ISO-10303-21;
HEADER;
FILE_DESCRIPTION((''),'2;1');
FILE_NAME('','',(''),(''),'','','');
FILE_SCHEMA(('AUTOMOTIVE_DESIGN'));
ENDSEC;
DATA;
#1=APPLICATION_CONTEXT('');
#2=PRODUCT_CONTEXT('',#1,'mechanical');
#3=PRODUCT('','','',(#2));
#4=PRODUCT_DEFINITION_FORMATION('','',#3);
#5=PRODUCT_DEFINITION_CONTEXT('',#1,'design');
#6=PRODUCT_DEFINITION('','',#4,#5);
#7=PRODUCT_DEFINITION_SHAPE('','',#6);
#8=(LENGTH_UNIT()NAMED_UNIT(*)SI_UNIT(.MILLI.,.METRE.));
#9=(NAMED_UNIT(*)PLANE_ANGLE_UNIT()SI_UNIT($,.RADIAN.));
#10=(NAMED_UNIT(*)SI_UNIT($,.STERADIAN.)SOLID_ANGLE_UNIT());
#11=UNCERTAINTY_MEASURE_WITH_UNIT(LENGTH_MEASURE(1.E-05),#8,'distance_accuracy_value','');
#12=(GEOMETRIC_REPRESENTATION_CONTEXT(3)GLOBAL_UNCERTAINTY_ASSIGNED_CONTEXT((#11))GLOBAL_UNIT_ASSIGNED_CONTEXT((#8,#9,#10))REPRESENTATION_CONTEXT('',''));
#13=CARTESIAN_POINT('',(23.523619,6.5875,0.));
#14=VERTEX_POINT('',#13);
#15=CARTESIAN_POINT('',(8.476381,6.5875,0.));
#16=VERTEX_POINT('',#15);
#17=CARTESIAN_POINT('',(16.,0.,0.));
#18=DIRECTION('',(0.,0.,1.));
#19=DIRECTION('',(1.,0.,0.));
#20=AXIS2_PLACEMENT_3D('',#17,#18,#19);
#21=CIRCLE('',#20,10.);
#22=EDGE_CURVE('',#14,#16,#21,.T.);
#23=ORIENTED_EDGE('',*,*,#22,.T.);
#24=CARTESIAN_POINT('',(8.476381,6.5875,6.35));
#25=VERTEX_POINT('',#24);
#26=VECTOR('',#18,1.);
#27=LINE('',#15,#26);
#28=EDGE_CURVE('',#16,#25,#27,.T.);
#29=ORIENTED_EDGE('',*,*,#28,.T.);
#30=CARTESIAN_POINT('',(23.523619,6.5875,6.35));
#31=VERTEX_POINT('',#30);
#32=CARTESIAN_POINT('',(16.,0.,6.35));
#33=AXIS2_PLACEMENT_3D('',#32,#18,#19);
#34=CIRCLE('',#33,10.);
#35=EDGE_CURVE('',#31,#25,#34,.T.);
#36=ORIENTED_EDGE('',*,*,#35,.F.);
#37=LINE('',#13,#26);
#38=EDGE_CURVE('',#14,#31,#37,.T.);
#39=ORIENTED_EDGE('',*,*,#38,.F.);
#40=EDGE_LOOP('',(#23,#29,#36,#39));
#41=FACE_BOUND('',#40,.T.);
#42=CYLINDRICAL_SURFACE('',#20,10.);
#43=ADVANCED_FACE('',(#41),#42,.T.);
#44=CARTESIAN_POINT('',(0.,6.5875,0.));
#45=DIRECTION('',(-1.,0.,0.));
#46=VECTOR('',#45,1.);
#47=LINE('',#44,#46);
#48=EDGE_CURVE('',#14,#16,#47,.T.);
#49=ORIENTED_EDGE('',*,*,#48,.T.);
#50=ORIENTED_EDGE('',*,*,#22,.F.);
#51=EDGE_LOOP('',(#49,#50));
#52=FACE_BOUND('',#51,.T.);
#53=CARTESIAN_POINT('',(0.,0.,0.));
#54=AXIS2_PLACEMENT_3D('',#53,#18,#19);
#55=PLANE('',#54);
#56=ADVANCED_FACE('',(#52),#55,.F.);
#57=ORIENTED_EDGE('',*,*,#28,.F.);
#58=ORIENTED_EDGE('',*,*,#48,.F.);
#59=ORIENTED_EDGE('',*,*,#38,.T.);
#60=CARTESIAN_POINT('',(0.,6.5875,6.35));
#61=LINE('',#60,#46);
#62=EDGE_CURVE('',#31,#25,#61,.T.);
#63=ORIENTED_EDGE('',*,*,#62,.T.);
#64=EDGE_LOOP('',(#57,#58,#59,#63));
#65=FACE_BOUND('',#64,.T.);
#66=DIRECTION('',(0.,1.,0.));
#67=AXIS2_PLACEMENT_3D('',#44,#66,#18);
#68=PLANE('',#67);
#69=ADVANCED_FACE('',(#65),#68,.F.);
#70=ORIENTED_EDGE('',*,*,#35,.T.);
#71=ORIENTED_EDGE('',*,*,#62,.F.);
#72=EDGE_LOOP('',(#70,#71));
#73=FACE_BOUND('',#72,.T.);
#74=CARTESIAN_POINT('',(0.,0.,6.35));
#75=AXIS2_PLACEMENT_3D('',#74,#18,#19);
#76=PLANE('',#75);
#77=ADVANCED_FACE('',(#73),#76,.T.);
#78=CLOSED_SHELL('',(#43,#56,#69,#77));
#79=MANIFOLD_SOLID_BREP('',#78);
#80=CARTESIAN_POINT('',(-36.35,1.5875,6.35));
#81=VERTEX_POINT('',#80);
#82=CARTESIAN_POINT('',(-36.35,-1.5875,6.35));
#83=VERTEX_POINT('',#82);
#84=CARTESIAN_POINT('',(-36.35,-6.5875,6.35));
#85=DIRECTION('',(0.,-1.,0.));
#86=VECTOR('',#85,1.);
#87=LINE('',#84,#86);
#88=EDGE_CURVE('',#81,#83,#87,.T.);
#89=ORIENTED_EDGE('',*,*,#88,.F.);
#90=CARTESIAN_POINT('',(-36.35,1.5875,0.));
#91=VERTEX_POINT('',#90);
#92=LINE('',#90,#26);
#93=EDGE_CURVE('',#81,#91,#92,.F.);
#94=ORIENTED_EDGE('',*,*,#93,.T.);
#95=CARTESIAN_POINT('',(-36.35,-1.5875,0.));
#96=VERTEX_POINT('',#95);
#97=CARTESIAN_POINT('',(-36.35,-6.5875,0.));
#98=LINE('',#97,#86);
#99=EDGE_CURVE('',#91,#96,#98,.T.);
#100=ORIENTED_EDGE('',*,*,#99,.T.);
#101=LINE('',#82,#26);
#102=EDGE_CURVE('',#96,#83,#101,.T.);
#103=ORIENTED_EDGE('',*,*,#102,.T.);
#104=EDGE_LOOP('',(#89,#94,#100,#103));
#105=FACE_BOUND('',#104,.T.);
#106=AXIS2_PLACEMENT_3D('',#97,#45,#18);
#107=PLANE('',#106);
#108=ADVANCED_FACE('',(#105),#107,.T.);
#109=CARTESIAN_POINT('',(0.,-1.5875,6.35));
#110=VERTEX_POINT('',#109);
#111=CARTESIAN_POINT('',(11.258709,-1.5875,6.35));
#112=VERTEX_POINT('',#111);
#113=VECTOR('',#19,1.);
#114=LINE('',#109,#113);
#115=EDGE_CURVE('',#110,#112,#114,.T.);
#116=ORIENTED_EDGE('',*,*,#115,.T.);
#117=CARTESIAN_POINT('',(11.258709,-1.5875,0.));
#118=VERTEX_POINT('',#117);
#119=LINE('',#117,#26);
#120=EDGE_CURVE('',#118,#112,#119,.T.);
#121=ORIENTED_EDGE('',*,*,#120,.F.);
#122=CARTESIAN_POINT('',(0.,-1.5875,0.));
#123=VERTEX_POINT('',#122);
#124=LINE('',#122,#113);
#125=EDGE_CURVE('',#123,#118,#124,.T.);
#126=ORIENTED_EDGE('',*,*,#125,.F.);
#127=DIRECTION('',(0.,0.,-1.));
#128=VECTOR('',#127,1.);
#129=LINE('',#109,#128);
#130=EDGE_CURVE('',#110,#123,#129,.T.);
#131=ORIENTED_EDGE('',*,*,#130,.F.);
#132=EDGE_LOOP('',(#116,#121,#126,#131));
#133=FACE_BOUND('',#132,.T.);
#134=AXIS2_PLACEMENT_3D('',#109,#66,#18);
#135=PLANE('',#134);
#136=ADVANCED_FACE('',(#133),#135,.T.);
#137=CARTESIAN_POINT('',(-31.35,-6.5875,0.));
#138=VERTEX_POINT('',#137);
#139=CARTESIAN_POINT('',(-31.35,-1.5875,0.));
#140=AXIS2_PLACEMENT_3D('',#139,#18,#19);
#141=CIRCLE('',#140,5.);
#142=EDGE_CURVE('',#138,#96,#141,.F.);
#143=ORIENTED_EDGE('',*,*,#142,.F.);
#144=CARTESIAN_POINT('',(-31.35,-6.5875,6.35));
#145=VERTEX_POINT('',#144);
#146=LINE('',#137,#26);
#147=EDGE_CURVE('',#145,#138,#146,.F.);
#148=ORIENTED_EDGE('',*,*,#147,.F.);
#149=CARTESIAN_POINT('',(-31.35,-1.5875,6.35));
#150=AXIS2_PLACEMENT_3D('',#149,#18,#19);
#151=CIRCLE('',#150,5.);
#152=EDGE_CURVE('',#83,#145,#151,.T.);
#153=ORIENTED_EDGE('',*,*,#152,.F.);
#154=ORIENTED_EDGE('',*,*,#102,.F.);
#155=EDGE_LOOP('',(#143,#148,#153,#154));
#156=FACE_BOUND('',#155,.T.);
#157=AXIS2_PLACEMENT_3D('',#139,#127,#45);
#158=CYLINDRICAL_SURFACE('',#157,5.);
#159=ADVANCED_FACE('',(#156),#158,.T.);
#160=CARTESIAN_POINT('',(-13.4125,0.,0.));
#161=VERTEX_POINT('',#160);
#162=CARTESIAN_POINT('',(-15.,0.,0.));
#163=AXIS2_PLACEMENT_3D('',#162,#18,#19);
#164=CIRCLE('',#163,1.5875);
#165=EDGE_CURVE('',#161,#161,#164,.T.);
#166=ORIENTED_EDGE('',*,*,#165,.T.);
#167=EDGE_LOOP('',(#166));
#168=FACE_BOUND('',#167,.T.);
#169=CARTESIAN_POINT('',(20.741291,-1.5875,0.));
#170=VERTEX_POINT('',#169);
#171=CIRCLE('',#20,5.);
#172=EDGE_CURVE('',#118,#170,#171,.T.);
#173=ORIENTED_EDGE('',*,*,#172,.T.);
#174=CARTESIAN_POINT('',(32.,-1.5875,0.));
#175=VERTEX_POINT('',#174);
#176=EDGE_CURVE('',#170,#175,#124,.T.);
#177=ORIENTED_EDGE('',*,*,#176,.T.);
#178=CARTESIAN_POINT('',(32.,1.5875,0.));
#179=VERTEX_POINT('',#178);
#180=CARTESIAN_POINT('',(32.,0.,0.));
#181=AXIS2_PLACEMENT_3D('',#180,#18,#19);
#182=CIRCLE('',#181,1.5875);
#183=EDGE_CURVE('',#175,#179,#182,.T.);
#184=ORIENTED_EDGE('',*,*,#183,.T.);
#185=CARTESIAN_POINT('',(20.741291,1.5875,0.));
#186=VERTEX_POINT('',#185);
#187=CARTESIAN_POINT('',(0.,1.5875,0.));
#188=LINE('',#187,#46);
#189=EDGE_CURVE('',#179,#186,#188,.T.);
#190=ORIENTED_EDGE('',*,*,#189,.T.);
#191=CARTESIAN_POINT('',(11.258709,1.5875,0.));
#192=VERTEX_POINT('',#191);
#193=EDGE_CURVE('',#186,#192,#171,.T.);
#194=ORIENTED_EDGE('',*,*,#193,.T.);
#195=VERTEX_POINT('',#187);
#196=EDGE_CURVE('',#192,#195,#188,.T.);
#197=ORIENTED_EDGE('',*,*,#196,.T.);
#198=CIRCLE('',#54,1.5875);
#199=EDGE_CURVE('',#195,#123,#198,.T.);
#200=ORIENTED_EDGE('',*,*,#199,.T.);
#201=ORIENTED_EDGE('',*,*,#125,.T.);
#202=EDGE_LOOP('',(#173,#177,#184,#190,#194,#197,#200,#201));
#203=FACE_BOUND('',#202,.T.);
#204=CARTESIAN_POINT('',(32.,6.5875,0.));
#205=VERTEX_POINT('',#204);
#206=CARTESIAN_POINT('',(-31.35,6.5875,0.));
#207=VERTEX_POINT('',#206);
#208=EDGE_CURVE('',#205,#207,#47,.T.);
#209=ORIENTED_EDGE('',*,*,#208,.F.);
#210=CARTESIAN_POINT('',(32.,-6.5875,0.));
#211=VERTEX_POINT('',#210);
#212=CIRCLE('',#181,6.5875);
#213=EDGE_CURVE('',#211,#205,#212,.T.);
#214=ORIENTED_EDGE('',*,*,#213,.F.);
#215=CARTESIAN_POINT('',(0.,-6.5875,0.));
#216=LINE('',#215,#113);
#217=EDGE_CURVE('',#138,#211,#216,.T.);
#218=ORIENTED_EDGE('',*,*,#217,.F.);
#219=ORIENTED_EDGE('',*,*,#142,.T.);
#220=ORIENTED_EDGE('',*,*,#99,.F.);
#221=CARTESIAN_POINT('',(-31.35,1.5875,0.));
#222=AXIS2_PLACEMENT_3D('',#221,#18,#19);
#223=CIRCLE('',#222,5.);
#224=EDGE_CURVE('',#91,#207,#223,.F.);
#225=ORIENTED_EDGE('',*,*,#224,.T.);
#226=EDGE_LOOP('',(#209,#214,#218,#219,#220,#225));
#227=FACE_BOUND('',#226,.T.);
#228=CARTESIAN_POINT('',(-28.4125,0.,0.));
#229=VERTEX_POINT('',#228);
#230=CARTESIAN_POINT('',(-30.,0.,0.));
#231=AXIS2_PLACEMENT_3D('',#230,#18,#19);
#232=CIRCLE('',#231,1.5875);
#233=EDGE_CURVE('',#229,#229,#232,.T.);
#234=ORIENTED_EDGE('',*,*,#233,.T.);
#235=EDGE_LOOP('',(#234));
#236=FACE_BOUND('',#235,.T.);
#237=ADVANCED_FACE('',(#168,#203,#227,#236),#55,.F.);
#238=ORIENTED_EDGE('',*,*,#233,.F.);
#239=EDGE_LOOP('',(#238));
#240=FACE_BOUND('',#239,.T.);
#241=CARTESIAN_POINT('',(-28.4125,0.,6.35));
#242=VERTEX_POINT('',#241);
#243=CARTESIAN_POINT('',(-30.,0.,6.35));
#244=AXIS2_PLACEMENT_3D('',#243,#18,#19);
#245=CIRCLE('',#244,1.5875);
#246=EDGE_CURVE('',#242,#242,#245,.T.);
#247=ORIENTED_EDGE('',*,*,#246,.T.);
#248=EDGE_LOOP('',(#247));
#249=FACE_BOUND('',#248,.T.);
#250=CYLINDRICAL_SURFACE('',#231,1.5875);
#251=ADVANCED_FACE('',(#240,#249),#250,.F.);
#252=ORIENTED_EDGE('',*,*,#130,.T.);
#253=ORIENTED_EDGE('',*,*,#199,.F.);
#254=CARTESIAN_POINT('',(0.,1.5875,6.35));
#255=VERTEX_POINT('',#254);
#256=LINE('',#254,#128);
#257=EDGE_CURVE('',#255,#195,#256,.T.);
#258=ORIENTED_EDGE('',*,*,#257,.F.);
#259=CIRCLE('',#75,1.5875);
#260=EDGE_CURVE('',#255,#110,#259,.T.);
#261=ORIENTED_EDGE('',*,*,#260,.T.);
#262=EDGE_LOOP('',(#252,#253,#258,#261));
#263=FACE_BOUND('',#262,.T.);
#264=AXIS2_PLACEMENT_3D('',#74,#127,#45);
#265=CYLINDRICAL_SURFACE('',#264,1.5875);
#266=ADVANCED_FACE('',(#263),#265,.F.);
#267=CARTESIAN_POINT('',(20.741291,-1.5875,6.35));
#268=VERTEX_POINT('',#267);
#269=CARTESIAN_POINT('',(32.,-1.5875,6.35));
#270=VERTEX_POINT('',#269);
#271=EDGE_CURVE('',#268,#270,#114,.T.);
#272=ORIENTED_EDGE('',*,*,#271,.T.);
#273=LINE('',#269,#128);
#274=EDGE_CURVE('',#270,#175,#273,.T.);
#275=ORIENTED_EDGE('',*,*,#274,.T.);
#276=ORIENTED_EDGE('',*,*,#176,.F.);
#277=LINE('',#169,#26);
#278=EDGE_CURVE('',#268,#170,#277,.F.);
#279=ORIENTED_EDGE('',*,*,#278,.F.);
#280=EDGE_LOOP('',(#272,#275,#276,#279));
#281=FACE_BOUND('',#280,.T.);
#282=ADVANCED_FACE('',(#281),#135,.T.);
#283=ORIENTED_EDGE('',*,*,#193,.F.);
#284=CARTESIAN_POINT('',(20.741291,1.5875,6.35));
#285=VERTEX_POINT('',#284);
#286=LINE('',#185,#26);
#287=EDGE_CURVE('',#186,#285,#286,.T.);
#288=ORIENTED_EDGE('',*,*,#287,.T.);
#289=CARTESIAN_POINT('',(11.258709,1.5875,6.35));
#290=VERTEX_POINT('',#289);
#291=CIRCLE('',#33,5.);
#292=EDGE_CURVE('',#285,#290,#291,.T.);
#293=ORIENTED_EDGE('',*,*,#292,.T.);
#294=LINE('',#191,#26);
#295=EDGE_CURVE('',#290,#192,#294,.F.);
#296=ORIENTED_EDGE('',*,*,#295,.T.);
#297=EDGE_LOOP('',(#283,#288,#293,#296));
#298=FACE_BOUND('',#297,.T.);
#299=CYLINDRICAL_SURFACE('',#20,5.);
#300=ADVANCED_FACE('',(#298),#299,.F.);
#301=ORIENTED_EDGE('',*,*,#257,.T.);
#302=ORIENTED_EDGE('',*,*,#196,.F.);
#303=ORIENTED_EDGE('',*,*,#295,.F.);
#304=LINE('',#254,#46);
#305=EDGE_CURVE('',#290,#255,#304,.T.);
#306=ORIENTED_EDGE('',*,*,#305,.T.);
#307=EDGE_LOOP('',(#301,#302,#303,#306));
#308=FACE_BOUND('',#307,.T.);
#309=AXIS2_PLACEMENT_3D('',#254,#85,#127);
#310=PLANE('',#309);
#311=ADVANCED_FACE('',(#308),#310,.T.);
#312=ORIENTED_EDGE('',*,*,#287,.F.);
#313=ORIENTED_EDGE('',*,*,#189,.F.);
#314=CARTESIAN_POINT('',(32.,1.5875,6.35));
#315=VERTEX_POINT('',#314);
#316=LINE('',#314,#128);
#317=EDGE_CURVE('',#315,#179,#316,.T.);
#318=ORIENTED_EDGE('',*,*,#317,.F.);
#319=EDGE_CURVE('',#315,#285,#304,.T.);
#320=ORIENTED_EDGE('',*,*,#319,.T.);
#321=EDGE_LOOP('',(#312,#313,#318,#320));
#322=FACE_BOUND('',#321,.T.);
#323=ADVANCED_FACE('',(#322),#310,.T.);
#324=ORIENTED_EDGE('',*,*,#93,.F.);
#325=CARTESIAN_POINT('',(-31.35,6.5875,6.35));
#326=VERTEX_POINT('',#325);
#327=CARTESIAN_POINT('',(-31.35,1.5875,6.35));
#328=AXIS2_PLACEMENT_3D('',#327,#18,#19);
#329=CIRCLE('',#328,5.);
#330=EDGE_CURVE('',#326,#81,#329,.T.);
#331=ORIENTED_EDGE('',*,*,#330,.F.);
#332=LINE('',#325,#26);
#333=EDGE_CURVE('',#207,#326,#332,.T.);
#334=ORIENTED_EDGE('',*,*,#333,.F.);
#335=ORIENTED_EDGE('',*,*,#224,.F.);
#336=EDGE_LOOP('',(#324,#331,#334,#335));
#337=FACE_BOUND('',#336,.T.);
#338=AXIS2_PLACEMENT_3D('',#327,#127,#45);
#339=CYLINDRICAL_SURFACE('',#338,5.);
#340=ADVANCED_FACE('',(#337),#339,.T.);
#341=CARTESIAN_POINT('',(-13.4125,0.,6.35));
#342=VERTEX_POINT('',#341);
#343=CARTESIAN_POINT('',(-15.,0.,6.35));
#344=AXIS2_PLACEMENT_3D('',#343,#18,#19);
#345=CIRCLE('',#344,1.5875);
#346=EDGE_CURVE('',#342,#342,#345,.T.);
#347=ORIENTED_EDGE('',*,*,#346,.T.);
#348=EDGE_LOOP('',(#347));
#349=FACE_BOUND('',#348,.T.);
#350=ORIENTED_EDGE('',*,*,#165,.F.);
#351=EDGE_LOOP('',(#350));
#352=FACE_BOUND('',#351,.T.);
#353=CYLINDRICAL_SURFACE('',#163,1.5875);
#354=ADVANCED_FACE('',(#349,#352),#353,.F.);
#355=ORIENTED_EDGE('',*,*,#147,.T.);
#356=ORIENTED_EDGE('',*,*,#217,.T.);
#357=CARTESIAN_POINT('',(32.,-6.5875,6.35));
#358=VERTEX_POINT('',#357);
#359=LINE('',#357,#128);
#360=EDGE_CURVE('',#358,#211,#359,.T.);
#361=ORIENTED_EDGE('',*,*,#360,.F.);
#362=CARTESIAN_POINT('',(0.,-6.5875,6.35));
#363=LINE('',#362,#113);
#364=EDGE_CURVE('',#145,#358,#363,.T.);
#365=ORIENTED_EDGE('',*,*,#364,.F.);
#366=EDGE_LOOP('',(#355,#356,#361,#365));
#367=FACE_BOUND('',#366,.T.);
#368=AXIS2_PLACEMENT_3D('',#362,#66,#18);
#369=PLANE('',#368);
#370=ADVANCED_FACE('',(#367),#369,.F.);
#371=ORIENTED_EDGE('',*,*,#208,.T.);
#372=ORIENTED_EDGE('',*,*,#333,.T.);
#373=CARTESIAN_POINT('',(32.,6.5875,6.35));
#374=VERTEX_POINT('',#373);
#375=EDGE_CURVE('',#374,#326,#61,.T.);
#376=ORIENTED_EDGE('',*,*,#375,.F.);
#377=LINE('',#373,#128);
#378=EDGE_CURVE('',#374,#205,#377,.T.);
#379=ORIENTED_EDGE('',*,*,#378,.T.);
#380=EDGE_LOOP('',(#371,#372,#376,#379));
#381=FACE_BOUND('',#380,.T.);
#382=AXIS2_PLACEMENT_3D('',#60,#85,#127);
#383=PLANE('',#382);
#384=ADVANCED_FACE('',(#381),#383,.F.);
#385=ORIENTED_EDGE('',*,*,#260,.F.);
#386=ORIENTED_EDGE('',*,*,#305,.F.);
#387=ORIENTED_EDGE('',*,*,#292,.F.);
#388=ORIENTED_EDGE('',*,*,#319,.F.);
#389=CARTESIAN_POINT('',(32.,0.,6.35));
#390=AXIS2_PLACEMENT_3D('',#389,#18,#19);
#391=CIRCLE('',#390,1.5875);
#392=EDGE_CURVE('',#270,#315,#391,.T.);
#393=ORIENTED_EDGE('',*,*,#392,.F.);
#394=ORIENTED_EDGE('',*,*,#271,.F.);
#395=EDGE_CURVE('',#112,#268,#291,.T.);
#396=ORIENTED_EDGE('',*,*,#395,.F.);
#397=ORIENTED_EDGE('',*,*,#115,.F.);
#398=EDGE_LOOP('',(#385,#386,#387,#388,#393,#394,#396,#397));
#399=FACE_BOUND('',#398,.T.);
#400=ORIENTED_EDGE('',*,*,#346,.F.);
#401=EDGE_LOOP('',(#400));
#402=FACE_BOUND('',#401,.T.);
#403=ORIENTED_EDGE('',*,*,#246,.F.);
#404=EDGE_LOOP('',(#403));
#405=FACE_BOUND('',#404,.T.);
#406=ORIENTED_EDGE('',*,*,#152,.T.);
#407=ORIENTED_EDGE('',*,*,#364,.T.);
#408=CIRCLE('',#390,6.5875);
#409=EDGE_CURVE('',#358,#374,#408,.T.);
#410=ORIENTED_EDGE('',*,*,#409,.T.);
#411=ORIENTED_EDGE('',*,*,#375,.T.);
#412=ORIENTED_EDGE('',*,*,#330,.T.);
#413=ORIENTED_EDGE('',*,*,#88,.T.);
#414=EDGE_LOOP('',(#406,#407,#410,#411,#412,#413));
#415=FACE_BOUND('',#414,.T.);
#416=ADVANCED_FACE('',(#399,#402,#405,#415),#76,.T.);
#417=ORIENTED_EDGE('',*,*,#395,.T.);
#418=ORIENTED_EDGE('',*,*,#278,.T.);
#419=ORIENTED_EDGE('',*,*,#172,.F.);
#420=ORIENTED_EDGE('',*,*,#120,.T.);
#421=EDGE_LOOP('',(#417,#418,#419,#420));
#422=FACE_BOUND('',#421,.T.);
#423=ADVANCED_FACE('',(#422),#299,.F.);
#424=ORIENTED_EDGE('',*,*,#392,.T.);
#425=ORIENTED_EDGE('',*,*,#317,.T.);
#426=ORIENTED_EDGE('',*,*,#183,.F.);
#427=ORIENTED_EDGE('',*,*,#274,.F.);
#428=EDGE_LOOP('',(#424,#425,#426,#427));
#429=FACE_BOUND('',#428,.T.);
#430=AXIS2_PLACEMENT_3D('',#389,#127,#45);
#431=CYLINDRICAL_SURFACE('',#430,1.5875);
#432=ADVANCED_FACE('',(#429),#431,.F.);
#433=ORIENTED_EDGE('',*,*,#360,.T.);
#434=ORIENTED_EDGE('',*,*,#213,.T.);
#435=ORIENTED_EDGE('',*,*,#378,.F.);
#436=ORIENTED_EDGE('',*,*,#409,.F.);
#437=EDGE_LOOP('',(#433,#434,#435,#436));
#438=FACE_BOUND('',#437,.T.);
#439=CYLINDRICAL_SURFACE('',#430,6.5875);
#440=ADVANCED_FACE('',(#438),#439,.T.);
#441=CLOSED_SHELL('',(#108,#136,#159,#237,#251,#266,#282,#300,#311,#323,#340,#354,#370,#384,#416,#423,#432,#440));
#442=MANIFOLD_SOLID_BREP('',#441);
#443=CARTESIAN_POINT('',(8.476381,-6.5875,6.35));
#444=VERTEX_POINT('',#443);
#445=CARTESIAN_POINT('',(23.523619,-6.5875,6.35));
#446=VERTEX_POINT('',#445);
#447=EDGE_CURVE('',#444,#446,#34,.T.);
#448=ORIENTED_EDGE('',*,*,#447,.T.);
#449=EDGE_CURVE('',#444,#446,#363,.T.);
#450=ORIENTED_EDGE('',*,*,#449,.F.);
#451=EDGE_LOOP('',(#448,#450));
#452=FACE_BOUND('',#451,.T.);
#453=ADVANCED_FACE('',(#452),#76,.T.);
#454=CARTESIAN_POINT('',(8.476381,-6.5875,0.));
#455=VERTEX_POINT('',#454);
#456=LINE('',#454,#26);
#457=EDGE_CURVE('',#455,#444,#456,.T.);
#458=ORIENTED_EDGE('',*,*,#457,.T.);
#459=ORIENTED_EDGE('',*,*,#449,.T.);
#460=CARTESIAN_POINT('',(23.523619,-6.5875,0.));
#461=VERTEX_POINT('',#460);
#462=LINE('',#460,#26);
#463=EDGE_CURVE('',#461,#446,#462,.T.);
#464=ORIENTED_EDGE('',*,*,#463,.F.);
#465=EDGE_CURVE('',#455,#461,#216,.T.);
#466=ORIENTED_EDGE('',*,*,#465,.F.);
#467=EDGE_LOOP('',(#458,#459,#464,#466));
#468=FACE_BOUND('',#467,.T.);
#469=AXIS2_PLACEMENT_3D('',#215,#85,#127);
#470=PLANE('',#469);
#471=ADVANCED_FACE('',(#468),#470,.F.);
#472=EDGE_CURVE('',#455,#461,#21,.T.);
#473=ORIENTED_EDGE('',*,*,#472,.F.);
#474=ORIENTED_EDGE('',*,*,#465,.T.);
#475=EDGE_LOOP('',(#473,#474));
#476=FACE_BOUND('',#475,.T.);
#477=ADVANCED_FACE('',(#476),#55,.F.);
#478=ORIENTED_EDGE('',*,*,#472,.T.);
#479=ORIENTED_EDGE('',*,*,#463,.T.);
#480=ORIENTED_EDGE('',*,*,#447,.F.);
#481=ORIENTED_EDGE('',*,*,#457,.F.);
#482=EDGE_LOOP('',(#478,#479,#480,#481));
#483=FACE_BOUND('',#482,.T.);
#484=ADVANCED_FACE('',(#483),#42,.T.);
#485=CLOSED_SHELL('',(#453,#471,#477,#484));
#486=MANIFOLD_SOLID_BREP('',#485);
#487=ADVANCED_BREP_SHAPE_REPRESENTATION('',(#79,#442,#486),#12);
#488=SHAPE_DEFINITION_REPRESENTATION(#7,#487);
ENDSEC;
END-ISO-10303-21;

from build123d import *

# Parameters (mm, degrees)
BOSS_EXTRUDE1_DEPTH   = 6.35
SKETCH2_R             = 1.5875
BOSS_EXTRUDE2_DEPTH   = 6.35
FILLET1_R             = 5
SKETCH3_R             = 5
CUT_EXTRUDE1_DEPTH    = 40.657443343
BOSS_EXTRUDE3_DEPTH   = 6.35
BOSS_EXTRUDE3_2_DEPTH = 6.35


with BuildPart() as part:
    # Sketch1 → Boss-Extrude1 (new body)
    with BuildSketch(Plane.XY):
        with BuildLine():
            Line((0, 6.5875), (32, 6.5875))
            ThreePointArc((32, 6.5875), (38.5875, 0), (32, -6.5875))
            Line((32, -6.5875), (0, -6.5875))
            ThreePointArc((0, -6.5875), (-6.5875, 0), (0, 6.5875))
        make_face()
        with BuildLine():
            Line((0, 1.5875), (32, 1.5875))
            ThreePointArc((32, 1.5875), (33.5875, 0), (32, -1.5875))
            Line((32, -1.5875), (0, -1.5875))
            ThreePointArc((0, -1.5875), (-1.5875, 0), (0, 1.5875))
        make_face(mode=Mode.SUBTRACT)
    extrude(amount=BOSS_EXTRUDE1_DEPTH)

    # Sketch2 → Boss-Extrude2 (add)
    with BuildSketch(Plane.XY.offset(6.35)):
        Polygon((-1.5875, -6.5875), (-36.35, -6.5875), (-36.35, 6.5875), (-1.5875, 6.5875), (1.809680537, 6.5875), (1.321773506, 5.998684352), (-1.5875, 4.621900503), (-1.5875, -3.765711661), (1.817888777, -6.5875), align=None)
        with Locations((-15, 0)):
            Circle(SKETCH2_R, mode=Mode.SUBTRACT)
        with Locations((-30, 0)):
            Circle(SKETCH2_R, mode=Mode.SUBTRACT)
    extrude(amount=-BOSS_EXTRUDE2_DEPTH)

    # Fillet1
    fillet1_edges = [part.edges().sort_by_distance(p)[0] for p in [
        (-36.35, -6.5875, 3.175),
        (-36.35, 6.5875, 3.175),
    ]]
    fillet(fillet1_edges, radius=FILLET1_R)

    # Sketch3 → Cut-Extrude1 (cut, through all)
    with BuildSketch(Plane.XY.offset(6.35)):
        with Locations((16, 0)):
            Circle(SKETCH3_R)
    extrude(amount=-CUT_EXTRUDE1_DEPTH, mode=Mode.SUBTRACT)


with BuildPart() as body_2:
    # Sketch4 → Boss-Extrude3 (new body)
    with BuildSketch(Plane.XY.offset(6.35)):
        with BuildLine():
            ThreePointArc((8.476380941, -6.5875), (16, -10), (23.523619059, -6.5875))
            Line((23.523619059, -6.5875), (8.476380941, -6.5875))
        make_face()
    extrude(amount=-BOSS_EXTRUDE3_DEPTH)


with BuildPart() as body_3:
    # Sketch4 → Boss-Extrude3 2 (new body)
    with BuildSketch(Plane.XY.offset(6.35)):
        with BuildLine():
            ThreePointArc((23.523619059, 6.5875), (16, 10), (8.476380941, 6.5875))
            Line((8.476380941, 6.5875), (23.523619059, 6.5875))
        make_face()
    extrude(amount=-BOSS_EXTRUDE3_2_DEPTH)


solid = Compound([part.part, body_2.part, body_3.part])
